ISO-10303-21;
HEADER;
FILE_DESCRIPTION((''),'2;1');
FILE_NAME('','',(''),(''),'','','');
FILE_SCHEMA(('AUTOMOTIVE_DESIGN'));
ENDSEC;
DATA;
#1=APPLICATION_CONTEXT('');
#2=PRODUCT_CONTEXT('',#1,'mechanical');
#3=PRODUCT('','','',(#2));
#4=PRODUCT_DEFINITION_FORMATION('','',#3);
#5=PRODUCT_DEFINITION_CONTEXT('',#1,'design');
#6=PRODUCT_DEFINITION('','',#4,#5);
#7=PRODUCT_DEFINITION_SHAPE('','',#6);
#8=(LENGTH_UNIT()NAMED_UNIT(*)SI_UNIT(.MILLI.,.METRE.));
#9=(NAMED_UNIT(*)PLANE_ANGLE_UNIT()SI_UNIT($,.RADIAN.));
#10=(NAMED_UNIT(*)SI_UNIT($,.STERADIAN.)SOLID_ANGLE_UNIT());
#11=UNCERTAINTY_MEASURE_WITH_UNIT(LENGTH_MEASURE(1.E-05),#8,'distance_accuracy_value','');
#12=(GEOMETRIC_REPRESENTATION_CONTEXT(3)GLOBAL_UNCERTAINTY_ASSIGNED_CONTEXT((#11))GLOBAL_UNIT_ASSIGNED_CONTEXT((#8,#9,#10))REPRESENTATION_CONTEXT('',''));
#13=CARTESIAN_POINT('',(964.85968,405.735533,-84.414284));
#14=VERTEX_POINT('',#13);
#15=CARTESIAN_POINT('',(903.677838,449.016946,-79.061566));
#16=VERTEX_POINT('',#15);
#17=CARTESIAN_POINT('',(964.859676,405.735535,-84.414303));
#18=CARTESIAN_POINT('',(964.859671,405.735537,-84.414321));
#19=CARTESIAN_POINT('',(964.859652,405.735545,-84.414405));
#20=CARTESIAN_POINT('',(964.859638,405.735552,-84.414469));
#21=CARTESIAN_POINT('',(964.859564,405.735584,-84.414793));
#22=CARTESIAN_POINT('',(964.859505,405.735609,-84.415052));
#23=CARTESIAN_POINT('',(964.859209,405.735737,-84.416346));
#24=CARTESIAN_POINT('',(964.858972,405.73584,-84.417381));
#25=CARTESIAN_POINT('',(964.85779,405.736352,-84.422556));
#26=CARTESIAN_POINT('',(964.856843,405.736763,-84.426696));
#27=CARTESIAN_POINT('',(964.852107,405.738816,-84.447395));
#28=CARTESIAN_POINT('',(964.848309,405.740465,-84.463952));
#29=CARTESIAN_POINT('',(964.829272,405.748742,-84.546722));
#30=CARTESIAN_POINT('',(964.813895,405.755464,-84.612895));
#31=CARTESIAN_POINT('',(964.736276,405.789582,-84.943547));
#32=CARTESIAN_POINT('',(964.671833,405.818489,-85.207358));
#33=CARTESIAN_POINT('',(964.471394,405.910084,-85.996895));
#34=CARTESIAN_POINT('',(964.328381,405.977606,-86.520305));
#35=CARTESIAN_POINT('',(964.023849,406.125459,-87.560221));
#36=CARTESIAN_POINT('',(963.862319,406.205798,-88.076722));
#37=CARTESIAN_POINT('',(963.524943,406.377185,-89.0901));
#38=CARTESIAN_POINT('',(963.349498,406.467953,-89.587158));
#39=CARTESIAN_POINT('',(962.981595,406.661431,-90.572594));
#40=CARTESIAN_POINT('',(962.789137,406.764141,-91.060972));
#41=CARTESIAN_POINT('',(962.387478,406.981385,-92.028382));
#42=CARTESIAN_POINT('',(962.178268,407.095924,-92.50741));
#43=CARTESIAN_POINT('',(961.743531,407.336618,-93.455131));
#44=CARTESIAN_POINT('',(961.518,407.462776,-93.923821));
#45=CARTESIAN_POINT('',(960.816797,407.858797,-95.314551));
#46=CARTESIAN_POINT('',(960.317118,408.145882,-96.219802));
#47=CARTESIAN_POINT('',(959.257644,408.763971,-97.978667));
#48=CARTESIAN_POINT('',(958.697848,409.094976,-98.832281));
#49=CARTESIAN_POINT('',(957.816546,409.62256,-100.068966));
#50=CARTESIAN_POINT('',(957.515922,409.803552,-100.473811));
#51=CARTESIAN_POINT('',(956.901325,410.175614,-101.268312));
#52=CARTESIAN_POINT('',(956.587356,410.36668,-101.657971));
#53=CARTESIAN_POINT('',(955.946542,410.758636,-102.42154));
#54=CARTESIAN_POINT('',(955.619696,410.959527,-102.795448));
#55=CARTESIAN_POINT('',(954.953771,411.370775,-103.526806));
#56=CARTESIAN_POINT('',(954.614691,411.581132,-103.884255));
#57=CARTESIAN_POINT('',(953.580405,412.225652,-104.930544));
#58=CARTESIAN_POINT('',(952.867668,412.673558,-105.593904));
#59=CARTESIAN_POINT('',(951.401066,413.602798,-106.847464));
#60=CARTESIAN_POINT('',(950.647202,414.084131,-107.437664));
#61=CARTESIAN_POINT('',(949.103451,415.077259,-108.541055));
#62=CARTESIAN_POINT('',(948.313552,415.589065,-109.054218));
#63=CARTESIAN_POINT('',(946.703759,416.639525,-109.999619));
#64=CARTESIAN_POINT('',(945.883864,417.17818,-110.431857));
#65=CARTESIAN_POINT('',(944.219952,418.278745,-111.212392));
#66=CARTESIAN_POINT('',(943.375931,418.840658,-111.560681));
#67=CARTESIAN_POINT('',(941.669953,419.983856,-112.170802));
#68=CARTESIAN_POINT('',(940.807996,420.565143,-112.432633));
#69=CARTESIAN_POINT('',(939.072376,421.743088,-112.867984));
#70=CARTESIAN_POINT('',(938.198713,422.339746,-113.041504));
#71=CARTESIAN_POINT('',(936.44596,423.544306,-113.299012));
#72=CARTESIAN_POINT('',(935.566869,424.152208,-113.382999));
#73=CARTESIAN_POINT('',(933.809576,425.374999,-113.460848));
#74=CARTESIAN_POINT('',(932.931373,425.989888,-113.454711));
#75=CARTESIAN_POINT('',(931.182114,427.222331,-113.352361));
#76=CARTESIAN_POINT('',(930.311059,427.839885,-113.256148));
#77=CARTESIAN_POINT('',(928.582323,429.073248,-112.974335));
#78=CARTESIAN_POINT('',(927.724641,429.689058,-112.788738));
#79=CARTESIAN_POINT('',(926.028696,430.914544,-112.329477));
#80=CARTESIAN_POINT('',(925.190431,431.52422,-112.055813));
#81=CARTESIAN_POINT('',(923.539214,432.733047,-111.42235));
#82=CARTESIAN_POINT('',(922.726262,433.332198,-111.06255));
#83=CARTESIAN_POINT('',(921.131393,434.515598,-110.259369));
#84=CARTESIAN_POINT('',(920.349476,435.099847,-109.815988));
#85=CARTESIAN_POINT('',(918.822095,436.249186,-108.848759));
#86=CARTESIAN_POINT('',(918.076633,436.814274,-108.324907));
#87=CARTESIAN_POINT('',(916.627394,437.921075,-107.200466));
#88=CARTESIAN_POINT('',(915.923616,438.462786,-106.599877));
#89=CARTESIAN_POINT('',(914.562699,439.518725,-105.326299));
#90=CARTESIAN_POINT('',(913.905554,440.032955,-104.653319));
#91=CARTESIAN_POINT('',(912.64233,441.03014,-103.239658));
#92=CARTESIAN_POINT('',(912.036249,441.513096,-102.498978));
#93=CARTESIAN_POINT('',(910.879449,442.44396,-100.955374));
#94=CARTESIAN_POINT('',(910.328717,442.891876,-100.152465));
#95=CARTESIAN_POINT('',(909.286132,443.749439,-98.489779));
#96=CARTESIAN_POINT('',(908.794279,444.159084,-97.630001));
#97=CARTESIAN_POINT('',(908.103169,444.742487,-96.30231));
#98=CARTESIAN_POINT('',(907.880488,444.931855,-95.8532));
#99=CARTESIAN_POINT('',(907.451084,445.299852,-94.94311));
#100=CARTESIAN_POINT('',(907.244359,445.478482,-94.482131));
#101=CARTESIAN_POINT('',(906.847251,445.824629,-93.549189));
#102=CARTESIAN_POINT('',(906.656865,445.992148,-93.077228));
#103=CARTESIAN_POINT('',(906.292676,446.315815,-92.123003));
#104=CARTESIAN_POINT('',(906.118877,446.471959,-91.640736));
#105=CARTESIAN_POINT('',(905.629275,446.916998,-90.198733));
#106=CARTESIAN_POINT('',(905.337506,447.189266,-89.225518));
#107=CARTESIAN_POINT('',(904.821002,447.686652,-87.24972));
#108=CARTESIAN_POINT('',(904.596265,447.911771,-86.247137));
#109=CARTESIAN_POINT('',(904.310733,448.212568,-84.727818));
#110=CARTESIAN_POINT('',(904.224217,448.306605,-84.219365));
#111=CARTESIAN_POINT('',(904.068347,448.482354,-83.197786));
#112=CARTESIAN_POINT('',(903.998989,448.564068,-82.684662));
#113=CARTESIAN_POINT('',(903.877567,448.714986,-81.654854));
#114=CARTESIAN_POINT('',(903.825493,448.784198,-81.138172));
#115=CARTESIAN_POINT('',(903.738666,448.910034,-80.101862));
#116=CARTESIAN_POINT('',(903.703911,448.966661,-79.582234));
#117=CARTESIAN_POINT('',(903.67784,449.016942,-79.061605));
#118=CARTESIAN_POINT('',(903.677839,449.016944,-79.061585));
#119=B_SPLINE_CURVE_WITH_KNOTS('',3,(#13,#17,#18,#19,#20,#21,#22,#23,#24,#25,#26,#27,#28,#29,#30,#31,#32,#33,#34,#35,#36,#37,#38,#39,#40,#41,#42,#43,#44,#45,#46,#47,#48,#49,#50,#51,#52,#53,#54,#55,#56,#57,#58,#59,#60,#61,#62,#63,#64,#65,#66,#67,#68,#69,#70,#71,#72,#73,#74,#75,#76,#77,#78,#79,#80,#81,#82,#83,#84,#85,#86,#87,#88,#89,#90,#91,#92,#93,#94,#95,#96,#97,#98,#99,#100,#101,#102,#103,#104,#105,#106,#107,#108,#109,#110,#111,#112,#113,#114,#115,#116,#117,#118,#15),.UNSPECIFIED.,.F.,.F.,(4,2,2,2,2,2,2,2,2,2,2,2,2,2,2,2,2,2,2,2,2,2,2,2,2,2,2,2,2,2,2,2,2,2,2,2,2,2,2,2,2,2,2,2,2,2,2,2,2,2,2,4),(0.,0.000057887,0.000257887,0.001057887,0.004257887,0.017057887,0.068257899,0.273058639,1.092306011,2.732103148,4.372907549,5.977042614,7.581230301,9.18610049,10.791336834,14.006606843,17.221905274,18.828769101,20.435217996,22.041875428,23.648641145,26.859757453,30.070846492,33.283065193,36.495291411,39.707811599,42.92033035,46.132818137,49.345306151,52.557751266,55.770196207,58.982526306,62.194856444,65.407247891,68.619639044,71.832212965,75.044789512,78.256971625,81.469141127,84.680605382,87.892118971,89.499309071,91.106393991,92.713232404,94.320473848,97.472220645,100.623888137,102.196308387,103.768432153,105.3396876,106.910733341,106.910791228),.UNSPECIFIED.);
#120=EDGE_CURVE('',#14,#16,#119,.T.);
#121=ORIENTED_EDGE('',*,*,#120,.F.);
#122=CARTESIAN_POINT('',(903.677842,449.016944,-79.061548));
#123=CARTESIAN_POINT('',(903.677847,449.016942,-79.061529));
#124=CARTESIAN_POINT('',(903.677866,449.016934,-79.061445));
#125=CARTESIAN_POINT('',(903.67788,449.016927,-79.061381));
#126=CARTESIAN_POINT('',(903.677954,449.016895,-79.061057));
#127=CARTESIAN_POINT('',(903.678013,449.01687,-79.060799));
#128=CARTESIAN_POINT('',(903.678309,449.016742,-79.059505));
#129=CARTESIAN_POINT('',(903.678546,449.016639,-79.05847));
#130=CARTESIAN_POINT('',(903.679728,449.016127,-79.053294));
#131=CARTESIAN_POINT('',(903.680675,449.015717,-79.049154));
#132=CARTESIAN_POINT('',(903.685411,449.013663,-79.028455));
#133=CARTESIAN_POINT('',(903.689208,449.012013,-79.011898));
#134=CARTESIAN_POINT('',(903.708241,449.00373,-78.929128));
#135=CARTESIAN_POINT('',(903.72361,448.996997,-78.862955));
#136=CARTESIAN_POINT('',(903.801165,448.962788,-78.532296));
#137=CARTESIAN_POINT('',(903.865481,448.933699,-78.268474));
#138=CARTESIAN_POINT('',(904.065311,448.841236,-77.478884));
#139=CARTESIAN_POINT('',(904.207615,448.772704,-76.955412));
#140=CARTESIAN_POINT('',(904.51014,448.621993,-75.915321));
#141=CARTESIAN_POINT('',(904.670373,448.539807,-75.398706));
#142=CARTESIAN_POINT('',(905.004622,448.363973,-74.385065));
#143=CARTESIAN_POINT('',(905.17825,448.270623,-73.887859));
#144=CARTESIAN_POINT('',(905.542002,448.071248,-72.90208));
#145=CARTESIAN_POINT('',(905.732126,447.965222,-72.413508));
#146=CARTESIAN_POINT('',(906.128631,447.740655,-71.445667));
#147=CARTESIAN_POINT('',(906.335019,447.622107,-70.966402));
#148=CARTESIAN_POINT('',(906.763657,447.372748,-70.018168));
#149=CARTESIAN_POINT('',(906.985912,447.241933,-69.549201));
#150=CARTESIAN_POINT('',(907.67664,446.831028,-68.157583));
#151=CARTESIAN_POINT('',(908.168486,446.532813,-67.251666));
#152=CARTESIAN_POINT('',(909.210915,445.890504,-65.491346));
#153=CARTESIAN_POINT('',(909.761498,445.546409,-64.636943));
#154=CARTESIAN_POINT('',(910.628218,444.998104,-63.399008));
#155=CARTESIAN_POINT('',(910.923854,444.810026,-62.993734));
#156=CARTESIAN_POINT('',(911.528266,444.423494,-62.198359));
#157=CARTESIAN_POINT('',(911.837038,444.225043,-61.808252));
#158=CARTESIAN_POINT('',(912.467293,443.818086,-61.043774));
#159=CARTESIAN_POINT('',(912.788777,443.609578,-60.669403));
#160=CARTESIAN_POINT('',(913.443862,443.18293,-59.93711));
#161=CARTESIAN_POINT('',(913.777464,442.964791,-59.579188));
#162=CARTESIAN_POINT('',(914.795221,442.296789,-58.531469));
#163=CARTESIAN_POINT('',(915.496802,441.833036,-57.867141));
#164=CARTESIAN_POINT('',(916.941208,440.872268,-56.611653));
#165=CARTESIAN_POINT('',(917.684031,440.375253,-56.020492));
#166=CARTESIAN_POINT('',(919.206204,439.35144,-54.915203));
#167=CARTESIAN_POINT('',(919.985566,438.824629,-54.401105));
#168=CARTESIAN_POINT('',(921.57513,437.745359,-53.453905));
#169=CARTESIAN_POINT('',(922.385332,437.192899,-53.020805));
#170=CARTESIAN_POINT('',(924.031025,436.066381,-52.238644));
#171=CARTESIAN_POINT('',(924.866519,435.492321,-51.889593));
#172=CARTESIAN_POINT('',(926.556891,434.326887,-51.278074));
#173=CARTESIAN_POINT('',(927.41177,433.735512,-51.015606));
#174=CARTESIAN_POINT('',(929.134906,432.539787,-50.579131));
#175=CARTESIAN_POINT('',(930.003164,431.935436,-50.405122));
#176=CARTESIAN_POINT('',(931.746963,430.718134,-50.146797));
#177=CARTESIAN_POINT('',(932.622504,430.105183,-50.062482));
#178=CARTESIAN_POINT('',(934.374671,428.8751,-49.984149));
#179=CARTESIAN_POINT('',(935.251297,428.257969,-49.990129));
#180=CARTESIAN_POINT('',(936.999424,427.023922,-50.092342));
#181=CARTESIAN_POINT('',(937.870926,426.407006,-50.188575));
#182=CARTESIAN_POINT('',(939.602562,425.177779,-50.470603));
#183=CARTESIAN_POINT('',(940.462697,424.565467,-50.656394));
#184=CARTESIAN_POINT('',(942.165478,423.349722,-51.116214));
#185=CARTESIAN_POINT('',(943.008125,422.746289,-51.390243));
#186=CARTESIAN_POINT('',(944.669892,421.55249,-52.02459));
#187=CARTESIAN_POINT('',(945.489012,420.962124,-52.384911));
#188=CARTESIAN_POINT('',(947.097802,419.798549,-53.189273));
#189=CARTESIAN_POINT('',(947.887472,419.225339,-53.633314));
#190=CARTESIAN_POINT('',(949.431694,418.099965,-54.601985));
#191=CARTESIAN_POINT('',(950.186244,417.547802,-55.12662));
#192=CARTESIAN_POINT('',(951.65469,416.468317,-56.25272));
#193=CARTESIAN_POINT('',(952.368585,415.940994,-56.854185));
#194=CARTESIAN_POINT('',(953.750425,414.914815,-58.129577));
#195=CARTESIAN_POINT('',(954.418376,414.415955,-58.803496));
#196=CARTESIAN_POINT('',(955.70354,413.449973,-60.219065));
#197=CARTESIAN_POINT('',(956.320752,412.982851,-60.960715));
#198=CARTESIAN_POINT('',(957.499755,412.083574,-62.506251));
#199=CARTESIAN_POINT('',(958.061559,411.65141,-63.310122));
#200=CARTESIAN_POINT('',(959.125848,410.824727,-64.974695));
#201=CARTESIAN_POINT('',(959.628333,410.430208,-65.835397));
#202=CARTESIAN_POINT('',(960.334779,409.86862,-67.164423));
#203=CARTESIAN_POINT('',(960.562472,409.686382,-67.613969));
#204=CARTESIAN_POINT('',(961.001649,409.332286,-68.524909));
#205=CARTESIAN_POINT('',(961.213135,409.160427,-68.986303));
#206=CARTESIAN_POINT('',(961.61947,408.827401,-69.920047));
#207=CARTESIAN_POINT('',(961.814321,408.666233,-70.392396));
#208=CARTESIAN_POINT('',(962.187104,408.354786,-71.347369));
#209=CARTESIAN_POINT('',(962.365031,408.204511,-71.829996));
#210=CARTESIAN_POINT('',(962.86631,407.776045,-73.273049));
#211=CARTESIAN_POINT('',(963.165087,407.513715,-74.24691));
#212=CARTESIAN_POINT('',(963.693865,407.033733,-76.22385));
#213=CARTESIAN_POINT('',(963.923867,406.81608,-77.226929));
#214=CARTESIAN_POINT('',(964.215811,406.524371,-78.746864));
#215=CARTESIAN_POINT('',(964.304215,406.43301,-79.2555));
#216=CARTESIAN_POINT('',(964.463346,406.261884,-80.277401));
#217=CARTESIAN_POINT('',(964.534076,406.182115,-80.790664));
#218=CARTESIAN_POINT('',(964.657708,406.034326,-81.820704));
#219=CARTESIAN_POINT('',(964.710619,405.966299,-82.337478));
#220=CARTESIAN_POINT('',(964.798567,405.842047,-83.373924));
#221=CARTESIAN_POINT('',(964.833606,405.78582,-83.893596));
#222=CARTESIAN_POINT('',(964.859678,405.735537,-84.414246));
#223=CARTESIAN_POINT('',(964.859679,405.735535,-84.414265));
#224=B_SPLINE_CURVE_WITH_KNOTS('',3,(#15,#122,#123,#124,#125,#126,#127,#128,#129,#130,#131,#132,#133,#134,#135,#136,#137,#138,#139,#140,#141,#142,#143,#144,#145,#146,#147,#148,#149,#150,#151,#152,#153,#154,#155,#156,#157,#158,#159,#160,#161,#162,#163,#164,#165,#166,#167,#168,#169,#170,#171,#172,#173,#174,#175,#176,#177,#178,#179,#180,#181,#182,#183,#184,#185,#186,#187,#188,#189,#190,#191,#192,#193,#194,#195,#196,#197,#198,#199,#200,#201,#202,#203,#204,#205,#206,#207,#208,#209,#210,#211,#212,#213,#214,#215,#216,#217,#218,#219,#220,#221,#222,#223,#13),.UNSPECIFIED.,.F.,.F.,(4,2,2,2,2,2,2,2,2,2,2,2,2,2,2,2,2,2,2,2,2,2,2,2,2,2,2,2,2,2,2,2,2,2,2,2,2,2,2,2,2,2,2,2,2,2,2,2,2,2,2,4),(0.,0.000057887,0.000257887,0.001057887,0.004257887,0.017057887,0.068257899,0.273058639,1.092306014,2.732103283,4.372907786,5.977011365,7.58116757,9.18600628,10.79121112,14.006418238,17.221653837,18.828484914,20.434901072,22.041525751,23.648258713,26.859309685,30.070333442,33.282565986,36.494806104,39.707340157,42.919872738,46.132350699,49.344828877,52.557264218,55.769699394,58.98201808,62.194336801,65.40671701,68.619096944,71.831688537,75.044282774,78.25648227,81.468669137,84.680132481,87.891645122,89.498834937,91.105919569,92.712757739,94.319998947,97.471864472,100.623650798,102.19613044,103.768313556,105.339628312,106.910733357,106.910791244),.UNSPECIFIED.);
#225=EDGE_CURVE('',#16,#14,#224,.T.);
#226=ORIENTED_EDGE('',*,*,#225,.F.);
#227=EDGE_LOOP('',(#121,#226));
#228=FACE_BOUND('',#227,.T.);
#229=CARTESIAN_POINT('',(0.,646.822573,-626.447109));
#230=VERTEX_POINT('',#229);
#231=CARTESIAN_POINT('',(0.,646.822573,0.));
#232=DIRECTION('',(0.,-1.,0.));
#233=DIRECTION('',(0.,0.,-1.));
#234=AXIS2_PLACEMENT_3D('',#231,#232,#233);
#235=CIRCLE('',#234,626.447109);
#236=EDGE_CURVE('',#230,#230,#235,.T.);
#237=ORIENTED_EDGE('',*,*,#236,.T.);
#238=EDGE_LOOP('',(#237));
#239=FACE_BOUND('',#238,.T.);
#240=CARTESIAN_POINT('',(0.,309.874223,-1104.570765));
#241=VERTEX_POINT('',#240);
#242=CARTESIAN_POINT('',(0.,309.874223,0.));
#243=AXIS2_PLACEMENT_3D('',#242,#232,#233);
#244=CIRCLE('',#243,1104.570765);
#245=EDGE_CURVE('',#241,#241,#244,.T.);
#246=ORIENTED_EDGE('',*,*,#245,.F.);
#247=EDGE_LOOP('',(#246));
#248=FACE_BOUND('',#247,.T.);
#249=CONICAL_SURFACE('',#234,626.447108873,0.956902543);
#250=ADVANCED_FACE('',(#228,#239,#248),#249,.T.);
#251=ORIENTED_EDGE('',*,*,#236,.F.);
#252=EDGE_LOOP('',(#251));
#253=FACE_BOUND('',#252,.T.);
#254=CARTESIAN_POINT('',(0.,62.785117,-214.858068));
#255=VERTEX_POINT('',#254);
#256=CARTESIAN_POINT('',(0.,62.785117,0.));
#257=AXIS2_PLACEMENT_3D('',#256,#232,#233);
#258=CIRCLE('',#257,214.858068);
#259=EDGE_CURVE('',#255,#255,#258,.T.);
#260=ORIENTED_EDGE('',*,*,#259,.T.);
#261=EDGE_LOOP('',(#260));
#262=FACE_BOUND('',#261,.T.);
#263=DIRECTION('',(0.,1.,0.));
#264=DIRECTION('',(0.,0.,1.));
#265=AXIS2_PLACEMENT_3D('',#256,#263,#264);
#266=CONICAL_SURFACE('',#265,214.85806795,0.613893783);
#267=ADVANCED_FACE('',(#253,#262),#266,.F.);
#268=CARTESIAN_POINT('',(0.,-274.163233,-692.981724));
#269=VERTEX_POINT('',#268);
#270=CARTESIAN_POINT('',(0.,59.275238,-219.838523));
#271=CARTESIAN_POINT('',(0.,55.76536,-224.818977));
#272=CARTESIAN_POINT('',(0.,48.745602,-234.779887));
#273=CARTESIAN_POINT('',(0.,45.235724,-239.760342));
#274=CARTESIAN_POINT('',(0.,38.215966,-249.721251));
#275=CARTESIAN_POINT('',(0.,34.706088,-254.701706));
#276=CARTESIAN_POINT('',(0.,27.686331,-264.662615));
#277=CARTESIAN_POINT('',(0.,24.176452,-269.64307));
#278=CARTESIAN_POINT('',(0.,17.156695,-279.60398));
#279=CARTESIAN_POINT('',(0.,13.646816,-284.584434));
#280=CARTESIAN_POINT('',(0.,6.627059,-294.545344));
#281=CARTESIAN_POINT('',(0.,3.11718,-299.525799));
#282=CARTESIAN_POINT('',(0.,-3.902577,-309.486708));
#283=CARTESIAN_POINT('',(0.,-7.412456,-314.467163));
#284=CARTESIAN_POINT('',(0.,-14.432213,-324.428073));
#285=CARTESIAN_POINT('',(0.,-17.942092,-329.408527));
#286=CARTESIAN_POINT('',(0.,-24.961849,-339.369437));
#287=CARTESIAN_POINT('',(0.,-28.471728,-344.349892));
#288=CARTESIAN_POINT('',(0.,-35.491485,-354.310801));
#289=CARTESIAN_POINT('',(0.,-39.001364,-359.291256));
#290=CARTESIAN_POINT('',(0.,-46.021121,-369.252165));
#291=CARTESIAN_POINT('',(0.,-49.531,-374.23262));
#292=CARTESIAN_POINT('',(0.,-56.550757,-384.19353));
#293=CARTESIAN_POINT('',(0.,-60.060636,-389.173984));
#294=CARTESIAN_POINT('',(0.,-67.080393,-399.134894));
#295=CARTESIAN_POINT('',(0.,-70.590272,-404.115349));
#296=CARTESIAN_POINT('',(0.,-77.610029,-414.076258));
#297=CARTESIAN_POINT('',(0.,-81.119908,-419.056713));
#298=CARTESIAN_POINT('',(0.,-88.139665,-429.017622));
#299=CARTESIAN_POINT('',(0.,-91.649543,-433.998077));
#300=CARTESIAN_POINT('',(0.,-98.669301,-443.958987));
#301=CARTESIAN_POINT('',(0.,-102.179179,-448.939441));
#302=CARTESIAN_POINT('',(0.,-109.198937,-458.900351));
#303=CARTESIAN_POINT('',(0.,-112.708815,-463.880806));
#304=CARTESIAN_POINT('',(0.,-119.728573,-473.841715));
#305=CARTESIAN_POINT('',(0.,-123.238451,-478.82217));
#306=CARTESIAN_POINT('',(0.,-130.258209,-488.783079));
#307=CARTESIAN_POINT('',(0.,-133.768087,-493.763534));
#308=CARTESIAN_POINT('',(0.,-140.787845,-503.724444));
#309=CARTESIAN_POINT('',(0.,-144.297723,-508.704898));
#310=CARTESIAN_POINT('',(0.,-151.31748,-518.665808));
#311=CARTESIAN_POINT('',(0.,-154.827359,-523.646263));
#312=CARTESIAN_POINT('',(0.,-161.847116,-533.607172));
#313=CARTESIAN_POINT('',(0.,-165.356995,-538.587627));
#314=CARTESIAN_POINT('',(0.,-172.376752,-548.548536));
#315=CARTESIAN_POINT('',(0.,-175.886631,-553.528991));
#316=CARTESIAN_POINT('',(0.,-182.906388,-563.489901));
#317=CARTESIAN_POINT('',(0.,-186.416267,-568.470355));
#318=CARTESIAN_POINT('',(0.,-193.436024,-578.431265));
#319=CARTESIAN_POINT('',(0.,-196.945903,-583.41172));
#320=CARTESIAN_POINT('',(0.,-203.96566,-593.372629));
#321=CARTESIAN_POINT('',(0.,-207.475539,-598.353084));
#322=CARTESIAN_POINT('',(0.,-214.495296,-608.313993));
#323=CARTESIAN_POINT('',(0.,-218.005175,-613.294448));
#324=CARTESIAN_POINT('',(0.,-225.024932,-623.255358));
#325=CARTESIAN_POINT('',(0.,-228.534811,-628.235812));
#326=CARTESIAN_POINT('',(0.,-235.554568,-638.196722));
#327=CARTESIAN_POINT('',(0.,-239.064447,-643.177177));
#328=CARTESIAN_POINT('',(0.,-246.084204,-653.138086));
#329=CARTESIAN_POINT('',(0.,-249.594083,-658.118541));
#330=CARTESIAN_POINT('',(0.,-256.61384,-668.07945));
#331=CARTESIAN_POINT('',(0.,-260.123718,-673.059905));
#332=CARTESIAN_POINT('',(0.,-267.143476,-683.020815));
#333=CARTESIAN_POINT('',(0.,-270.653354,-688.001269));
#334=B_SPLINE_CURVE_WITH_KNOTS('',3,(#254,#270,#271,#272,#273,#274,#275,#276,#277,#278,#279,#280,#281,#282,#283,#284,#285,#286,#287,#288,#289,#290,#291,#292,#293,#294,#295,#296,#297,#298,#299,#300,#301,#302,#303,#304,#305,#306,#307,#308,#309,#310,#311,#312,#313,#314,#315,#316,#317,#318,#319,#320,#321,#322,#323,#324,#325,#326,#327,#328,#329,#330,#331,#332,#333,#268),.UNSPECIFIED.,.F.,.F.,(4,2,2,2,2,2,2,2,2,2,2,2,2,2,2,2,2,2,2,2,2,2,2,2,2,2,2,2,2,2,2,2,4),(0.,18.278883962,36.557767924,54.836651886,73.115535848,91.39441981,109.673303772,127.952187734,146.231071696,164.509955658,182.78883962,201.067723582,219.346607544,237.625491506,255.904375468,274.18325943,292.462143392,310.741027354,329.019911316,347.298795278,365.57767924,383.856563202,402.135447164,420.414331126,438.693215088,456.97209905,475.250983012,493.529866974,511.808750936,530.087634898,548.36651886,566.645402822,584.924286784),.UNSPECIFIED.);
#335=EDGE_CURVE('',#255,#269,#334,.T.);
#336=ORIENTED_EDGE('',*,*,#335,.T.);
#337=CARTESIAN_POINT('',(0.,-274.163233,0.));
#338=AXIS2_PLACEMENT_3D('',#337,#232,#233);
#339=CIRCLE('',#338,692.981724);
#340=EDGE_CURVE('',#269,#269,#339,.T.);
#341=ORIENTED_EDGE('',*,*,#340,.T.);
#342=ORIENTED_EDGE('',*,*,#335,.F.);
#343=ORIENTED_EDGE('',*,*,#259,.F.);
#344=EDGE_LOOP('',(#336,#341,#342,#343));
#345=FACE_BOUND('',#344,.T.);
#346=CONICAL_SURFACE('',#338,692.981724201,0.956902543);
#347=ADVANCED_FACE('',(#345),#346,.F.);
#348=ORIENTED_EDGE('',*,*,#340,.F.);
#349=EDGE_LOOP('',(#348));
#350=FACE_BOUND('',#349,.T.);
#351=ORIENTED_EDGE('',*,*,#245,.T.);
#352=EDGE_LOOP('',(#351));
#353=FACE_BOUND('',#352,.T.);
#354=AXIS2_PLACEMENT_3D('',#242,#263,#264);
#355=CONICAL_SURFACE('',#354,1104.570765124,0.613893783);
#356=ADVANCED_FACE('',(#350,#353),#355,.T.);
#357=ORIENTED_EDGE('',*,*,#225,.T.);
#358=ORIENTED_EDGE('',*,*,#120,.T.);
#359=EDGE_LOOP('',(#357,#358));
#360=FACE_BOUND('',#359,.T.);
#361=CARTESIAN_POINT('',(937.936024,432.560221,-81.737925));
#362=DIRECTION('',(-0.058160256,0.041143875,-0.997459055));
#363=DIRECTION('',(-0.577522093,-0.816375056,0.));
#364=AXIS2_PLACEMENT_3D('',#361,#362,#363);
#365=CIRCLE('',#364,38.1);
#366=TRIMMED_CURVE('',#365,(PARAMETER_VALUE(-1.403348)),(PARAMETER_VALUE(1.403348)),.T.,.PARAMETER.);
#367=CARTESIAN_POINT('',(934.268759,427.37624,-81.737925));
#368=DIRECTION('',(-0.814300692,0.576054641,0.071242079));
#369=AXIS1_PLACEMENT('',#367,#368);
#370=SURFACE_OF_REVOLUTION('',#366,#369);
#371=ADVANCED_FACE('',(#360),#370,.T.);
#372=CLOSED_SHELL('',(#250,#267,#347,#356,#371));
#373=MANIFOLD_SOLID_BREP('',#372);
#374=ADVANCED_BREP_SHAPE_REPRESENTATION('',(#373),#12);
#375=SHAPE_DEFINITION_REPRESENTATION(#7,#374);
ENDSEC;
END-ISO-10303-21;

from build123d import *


with BuildPart() as part:
    # Sketch1 → Revolve1 (revolve)
    with BuildSketch(Plane.XY, mode=Mode.PRIVATE) as revolve1_sk:
        Polygon((-692.981724201, -274.163233074), (-1104.570765124, 309.874222783), (-626.447108873, 646.822572835), (-214.85806795, 62.785116977), align=None)
    revolve(revolve1_sk.sketch.rotate(Axis((0, 0, 0), (0, 1, 0)), 270), axis=Axis((0, 0, 0), (0, 1, 0)))

    # Sketch3 → Revolve2 (revolve)
    with BuildSketch(Plane(origin=(0, 0, 0), x_dir=(0.9961946980917455, 0, -0.08715574274765836), z_dir=(0.08715574274765836, 0, 0.9961946980917455))):
        with BuildLine():
            Line((968.545287148, 405.735533492), (907.129740627, 449.016945732))
            ThreePointArc((907.129740627, 449.016945732), (956.12724874, 453.329044836), (968.545287148, 405.735533492))
        make_face()
    revolve(axis=Axis((624.063288494, 646.822572835, -54.598463066), (0.8143006918189212, -0.5760546410275964, -0.0712420792354729)))


solid = part.part
